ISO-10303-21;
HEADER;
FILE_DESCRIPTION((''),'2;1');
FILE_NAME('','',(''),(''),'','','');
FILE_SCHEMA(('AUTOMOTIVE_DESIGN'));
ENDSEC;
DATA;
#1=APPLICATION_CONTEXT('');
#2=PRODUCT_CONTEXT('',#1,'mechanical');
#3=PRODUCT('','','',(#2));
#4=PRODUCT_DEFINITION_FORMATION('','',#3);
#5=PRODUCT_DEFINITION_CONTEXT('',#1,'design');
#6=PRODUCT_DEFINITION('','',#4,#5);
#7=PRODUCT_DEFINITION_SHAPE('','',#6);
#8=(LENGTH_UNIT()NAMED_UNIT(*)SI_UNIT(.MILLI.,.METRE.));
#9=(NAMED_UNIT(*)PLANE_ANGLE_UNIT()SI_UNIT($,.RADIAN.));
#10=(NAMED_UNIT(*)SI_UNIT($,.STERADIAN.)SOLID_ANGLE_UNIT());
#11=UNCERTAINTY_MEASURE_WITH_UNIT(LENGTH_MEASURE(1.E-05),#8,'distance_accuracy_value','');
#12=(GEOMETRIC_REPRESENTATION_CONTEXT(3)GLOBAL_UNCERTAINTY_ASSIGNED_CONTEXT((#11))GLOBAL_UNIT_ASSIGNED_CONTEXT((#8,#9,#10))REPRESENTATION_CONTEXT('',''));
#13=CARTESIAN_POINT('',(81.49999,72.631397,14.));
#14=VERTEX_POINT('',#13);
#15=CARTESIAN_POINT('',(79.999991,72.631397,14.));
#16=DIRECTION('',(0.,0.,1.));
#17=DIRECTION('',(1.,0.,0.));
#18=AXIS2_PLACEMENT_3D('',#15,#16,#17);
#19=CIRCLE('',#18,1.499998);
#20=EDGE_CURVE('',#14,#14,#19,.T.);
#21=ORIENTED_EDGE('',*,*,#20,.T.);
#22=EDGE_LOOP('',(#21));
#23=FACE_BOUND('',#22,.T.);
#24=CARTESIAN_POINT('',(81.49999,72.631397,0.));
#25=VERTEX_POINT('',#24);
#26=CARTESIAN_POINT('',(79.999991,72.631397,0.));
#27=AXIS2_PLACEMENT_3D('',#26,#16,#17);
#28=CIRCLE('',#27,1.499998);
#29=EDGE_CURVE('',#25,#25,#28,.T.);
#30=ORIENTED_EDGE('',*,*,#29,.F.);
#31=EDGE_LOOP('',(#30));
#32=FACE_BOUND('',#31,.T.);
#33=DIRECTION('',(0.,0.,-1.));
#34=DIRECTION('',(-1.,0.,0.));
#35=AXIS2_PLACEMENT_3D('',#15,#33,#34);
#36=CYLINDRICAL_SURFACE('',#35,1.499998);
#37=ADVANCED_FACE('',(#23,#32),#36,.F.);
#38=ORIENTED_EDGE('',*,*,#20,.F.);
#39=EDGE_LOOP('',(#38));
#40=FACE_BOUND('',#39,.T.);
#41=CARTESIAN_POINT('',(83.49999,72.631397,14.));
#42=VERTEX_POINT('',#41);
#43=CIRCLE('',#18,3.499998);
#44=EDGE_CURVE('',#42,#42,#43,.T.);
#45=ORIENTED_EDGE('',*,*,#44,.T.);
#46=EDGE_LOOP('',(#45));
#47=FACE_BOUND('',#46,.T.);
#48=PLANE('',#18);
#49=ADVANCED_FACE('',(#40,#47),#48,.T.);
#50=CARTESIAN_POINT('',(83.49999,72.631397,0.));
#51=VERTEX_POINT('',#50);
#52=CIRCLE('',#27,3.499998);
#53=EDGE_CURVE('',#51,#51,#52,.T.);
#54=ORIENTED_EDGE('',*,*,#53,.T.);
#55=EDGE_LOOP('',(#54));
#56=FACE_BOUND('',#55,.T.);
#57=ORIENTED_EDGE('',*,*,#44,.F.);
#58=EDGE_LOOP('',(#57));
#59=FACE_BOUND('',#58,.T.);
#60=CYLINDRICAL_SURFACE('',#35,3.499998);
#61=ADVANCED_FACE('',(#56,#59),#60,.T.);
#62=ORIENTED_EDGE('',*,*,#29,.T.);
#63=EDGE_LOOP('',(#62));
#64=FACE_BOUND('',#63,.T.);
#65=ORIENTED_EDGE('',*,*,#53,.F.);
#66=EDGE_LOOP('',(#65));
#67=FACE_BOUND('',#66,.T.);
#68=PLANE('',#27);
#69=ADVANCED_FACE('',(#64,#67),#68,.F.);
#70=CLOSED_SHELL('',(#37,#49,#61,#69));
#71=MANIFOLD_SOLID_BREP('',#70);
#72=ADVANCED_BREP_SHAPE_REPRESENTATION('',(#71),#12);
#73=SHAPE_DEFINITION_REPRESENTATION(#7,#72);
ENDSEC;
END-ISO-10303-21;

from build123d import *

# Parameters (mm, degrees)
SKETCH1_R           = 3.4999981
SKETCH1_R_2         = 1.4999981
EXTRUDE_THIN1_DEPTH = 14


with BuildPart() as part:
    # Sketch1 → Extrude-Thin1 (new body)
    with BuildSketch(Plane.XY):
        with Locations((79.999991481, 72.631397067)):
            Circle(SKETCH1_R)
        with Locations((79.999991481, 72.631397067)):
            Circle(SKETCH1_R_2, mode=Mode.SUBTRACT)
    extrude(amount=EXTRUDE_THIN1_DEPTH)


solid = part.part
